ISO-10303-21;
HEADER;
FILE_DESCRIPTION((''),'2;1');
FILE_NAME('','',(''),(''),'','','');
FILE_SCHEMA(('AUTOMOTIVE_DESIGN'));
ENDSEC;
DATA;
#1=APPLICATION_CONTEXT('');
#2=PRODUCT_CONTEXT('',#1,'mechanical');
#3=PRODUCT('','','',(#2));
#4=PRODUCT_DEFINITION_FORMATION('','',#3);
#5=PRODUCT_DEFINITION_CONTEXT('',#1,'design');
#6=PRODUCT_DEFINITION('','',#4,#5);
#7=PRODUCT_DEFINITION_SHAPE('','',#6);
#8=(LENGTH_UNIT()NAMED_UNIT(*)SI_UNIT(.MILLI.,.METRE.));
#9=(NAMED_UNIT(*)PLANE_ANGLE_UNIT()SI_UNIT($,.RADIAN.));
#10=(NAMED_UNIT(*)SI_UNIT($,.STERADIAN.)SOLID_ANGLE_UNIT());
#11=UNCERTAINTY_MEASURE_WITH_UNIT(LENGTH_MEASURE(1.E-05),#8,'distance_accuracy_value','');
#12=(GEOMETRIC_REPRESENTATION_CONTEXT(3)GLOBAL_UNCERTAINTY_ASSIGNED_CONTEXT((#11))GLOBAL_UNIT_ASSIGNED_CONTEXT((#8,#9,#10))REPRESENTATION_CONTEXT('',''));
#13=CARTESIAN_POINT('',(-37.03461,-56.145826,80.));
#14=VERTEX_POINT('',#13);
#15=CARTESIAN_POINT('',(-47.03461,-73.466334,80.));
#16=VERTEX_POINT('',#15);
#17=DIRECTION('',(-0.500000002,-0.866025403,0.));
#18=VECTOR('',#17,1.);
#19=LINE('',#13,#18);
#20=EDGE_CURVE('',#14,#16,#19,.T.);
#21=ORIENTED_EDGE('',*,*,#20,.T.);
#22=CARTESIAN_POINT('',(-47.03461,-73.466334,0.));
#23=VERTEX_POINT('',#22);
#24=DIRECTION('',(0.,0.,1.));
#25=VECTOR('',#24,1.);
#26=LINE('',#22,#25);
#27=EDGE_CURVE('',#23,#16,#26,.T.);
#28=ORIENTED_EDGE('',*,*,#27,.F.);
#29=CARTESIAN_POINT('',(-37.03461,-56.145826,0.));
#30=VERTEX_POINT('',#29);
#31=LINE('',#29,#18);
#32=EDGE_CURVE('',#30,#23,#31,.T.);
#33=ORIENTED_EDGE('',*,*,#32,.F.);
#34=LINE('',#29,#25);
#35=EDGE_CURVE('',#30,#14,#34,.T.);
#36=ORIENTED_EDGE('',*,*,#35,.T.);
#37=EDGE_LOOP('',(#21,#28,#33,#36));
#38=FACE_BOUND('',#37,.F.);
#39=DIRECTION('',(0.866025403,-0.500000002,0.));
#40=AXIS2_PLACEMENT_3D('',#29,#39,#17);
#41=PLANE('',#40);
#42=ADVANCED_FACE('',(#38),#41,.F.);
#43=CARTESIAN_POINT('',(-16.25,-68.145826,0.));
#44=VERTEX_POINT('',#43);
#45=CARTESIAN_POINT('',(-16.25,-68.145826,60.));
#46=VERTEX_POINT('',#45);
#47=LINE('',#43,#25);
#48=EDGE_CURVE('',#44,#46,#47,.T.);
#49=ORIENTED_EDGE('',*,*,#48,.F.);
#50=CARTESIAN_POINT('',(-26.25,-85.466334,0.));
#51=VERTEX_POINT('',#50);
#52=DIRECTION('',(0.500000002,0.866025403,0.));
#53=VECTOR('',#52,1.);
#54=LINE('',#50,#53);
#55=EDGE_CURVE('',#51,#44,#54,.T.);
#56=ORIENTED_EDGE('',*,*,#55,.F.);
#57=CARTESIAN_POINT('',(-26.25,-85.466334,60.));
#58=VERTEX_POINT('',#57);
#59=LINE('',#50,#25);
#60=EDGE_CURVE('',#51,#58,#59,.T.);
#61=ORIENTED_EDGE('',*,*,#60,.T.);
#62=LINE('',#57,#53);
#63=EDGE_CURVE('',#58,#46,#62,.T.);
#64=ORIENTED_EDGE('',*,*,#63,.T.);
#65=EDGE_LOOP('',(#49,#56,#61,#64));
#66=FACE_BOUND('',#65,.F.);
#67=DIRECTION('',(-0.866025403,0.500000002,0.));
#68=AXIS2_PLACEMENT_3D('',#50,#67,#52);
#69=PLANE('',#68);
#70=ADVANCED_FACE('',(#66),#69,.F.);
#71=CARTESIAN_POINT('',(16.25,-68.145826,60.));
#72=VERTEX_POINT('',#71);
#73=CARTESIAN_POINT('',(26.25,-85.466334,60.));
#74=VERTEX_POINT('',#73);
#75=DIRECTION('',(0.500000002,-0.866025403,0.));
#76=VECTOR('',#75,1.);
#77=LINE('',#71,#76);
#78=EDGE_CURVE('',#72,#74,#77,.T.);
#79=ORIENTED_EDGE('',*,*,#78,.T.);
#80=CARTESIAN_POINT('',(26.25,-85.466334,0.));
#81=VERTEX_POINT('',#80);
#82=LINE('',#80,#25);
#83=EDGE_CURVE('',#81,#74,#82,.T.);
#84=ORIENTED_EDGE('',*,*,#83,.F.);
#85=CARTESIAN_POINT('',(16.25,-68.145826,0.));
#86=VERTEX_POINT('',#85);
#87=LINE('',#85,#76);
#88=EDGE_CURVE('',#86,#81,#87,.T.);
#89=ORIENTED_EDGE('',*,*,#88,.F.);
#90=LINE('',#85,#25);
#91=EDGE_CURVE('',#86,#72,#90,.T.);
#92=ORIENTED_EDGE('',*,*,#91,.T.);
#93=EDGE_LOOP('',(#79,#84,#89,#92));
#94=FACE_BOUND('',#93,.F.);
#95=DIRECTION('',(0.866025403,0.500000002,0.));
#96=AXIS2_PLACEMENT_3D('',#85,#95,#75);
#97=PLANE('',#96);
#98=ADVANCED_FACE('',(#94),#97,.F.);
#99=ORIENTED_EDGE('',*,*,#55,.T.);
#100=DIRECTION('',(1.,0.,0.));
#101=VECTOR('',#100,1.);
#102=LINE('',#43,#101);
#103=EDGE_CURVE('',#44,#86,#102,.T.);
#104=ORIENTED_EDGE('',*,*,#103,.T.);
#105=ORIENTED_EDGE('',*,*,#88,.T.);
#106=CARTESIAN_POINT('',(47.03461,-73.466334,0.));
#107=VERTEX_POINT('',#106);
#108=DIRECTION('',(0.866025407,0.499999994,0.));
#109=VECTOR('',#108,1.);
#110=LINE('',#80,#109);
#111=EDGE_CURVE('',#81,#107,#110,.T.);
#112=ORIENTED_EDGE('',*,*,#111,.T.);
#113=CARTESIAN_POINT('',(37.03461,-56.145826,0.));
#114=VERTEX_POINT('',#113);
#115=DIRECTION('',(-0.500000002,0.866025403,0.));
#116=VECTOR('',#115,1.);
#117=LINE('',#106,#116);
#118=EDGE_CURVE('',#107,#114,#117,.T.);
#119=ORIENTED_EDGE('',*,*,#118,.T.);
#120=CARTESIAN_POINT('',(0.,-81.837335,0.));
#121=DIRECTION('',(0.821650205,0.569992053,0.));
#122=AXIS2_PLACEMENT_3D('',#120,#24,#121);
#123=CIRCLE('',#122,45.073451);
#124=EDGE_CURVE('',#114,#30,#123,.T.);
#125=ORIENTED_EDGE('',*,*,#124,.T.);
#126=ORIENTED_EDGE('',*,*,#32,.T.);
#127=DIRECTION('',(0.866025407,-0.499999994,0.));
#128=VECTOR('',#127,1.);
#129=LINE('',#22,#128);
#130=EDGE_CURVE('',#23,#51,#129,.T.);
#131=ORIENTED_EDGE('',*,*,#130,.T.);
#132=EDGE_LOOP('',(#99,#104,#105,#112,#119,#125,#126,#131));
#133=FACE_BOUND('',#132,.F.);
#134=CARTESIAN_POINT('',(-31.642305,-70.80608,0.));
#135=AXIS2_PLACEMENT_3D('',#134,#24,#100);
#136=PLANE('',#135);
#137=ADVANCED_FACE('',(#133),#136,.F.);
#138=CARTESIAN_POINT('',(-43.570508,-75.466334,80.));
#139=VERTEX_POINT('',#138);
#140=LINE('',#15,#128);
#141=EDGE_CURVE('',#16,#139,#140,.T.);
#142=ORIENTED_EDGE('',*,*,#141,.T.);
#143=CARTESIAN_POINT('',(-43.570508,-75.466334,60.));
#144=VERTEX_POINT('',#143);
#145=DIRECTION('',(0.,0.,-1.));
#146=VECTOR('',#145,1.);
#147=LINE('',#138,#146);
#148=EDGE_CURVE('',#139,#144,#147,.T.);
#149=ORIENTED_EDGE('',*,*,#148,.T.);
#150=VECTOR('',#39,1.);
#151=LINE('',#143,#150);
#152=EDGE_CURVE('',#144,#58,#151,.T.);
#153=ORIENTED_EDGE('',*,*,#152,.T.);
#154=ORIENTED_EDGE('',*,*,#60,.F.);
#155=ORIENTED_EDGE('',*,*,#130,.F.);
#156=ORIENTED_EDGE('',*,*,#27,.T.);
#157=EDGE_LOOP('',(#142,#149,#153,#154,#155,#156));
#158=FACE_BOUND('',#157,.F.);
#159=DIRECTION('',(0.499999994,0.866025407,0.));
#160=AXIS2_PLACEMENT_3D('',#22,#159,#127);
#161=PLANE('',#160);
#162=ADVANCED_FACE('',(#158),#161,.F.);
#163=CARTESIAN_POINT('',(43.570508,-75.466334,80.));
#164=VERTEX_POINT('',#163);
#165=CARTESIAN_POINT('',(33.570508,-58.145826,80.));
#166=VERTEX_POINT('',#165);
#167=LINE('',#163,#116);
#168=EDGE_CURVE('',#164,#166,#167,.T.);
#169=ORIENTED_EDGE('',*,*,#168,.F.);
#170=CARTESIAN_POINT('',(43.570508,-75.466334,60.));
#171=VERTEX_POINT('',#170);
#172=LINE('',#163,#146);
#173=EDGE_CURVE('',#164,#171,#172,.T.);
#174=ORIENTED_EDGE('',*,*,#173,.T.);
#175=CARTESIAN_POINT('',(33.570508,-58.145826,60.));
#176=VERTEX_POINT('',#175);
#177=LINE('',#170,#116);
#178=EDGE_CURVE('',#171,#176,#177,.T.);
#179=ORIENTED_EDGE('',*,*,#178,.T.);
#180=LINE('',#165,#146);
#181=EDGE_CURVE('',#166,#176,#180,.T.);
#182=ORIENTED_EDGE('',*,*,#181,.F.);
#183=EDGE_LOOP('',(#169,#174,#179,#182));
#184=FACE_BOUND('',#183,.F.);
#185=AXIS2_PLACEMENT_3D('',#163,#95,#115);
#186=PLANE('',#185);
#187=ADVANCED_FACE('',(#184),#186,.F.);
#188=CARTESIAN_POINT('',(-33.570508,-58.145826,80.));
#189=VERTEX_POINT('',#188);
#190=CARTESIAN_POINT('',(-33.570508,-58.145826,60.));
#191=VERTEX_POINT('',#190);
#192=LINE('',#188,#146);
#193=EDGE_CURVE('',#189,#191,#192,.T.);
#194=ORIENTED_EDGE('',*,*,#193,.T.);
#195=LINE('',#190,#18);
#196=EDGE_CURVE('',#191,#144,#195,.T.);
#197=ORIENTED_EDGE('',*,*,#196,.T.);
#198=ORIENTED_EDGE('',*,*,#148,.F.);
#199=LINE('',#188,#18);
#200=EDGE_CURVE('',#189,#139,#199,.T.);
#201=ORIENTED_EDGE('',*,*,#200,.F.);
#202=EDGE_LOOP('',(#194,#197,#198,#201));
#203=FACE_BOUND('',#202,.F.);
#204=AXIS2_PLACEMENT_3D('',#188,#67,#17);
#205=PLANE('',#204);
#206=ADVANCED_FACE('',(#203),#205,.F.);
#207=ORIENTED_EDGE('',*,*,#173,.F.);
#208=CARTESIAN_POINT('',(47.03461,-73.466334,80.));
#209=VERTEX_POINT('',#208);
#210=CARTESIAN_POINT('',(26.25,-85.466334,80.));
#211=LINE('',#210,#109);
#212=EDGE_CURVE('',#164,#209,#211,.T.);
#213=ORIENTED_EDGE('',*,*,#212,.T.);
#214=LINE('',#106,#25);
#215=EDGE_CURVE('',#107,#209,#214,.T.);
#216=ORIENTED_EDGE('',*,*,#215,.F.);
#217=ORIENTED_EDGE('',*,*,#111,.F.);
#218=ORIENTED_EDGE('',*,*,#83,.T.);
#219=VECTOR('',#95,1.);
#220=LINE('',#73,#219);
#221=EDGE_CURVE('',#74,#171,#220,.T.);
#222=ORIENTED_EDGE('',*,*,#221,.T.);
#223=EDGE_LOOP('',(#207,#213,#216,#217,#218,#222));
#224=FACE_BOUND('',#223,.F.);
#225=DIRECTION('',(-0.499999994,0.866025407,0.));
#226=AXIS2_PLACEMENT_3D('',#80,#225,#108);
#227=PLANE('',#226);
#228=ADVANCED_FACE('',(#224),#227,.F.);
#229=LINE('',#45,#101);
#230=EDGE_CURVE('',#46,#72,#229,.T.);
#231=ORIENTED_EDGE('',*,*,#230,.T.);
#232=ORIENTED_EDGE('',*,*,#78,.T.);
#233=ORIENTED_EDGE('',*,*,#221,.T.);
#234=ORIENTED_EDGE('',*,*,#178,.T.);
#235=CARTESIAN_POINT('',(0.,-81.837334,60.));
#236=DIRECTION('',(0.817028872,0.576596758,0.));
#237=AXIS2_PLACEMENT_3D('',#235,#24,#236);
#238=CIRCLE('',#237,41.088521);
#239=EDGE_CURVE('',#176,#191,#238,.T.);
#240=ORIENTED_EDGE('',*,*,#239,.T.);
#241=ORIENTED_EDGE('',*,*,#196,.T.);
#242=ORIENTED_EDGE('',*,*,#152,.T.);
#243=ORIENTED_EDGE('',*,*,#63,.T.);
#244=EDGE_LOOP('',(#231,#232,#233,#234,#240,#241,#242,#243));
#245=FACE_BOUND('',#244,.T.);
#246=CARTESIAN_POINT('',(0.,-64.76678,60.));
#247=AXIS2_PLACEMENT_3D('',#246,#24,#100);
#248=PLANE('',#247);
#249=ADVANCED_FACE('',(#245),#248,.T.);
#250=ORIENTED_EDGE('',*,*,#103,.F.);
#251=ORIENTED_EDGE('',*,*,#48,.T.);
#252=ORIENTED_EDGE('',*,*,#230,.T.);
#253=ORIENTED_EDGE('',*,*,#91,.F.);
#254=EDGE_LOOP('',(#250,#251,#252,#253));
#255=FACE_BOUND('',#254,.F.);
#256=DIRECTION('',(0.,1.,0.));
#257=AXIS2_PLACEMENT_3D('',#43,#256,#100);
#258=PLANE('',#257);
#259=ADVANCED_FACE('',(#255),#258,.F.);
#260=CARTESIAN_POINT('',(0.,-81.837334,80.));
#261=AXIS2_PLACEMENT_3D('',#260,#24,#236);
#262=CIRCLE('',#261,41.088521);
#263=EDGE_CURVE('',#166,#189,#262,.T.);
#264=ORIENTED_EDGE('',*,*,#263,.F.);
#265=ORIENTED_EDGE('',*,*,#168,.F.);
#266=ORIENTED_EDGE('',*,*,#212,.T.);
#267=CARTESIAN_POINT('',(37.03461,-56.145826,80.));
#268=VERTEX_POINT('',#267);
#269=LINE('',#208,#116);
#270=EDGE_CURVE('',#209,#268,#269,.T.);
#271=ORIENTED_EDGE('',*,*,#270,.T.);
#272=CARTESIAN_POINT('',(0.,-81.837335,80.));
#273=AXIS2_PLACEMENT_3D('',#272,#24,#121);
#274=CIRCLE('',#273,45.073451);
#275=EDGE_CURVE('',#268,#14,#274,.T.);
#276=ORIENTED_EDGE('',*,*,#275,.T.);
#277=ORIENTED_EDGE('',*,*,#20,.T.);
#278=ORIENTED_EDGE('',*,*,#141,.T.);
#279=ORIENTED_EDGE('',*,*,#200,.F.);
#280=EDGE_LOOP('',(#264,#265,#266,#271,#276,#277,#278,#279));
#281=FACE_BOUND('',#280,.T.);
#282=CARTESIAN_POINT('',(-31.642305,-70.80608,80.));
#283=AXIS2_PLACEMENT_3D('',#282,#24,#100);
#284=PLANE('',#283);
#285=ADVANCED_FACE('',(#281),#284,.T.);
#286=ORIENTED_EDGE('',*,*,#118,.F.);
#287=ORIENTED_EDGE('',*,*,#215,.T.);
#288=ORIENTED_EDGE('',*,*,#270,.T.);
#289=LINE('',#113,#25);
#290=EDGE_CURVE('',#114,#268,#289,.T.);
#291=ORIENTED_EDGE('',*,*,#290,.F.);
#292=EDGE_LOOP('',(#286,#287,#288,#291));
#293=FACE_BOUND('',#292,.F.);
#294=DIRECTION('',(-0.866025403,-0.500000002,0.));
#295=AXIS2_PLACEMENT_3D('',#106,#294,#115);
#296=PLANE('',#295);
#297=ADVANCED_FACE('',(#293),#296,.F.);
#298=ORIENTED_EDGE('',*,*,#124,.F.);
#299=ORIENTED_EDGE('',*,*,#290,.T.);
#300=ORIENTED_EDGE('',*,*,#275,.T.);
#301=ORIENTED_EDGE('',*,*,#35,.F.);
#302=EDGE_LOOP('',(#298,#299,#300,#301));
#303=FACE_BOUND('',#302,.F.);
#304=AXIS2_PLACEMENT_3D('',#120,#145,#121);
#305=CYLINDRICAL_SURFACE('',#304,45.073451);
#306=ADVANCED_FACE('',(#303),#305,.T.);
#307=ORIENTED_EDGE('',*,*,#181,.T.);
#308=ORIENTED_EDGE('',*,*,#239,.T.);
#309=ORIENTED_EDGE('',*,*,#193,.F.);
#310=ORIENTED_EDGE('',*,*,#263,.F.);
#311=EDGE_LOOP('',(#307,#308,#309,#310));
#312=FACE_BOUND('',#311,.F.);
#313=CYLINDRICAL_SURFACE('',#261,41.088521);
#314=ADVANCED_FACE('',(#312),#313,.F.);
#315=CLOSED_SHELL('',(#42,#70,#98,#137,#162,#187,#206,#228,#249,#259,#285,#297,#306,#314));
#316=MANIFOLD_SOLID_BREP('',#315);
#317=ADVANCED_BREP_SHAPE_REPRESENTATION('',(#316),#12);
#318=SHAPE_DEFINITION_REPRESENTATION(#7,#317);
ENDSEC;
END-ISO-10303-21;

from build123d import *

# Parameters (mm, degrees)
F2_DEPTH = 80
F4_DEPTH = 20


with BuildPart() as f2:
    # F1 (on Top) → F2 (new body)
    with BuildSketch(Plane.XY):
        Polygon((-47.03461, -73.466334), (-26.25, -85.466334), (-16.25, -68.145826), (-37.03461, -56.145826), align=None)
        with BuildLine():
            Line((-37.03461, -56.145826), (-16.25, -68.145826))
            Line((-16.25, -68.145826), (16.25, -68.145826))
            Line((16.25, -68.145826), (37.03461, -56.145826))
            ThreePointArc((37.03461, -56.145826), (0, -36.763884), (-37.03461, -56.145826))
        make_face()
        Polygon((37.03461, -56.145826), (16.25, -68.145826), (26.25, -85.466334), (47.03461, -73.466334), align=None)
    extrude(amount=F2_DEPTH)

    # F3 (on face) → F4 (cut)
    with BuildSketch(Plane.XY.offset(80)):
        with BuildLine():
            Line((-43.570508, -75.466334), (-26.25, -85.466334))
            Line((-26.25, -85.466334), (-16.25, -68.145826))
            Line((-16.25, -68.145826), (16.25, -68.145826))
            Line((16.25, -68.145826), (26.25, -85.466334))
            Line((26.25, -85.466334), (43.570508, -75.466334))
            Line((43.570508, -75.466334), (33.570508, -58.145826))
            ThreePointArc((33.570508, -58.145826), (0, -40.748813), (-33.570508, -58.145826))
            Line((-33.570508, -58.145826), (-43.570508, -75.466334))
        make_face()
    extrude(amount=-F4_DEPTH, mode=Mode.SUBTRACT)


solid = f2.part
